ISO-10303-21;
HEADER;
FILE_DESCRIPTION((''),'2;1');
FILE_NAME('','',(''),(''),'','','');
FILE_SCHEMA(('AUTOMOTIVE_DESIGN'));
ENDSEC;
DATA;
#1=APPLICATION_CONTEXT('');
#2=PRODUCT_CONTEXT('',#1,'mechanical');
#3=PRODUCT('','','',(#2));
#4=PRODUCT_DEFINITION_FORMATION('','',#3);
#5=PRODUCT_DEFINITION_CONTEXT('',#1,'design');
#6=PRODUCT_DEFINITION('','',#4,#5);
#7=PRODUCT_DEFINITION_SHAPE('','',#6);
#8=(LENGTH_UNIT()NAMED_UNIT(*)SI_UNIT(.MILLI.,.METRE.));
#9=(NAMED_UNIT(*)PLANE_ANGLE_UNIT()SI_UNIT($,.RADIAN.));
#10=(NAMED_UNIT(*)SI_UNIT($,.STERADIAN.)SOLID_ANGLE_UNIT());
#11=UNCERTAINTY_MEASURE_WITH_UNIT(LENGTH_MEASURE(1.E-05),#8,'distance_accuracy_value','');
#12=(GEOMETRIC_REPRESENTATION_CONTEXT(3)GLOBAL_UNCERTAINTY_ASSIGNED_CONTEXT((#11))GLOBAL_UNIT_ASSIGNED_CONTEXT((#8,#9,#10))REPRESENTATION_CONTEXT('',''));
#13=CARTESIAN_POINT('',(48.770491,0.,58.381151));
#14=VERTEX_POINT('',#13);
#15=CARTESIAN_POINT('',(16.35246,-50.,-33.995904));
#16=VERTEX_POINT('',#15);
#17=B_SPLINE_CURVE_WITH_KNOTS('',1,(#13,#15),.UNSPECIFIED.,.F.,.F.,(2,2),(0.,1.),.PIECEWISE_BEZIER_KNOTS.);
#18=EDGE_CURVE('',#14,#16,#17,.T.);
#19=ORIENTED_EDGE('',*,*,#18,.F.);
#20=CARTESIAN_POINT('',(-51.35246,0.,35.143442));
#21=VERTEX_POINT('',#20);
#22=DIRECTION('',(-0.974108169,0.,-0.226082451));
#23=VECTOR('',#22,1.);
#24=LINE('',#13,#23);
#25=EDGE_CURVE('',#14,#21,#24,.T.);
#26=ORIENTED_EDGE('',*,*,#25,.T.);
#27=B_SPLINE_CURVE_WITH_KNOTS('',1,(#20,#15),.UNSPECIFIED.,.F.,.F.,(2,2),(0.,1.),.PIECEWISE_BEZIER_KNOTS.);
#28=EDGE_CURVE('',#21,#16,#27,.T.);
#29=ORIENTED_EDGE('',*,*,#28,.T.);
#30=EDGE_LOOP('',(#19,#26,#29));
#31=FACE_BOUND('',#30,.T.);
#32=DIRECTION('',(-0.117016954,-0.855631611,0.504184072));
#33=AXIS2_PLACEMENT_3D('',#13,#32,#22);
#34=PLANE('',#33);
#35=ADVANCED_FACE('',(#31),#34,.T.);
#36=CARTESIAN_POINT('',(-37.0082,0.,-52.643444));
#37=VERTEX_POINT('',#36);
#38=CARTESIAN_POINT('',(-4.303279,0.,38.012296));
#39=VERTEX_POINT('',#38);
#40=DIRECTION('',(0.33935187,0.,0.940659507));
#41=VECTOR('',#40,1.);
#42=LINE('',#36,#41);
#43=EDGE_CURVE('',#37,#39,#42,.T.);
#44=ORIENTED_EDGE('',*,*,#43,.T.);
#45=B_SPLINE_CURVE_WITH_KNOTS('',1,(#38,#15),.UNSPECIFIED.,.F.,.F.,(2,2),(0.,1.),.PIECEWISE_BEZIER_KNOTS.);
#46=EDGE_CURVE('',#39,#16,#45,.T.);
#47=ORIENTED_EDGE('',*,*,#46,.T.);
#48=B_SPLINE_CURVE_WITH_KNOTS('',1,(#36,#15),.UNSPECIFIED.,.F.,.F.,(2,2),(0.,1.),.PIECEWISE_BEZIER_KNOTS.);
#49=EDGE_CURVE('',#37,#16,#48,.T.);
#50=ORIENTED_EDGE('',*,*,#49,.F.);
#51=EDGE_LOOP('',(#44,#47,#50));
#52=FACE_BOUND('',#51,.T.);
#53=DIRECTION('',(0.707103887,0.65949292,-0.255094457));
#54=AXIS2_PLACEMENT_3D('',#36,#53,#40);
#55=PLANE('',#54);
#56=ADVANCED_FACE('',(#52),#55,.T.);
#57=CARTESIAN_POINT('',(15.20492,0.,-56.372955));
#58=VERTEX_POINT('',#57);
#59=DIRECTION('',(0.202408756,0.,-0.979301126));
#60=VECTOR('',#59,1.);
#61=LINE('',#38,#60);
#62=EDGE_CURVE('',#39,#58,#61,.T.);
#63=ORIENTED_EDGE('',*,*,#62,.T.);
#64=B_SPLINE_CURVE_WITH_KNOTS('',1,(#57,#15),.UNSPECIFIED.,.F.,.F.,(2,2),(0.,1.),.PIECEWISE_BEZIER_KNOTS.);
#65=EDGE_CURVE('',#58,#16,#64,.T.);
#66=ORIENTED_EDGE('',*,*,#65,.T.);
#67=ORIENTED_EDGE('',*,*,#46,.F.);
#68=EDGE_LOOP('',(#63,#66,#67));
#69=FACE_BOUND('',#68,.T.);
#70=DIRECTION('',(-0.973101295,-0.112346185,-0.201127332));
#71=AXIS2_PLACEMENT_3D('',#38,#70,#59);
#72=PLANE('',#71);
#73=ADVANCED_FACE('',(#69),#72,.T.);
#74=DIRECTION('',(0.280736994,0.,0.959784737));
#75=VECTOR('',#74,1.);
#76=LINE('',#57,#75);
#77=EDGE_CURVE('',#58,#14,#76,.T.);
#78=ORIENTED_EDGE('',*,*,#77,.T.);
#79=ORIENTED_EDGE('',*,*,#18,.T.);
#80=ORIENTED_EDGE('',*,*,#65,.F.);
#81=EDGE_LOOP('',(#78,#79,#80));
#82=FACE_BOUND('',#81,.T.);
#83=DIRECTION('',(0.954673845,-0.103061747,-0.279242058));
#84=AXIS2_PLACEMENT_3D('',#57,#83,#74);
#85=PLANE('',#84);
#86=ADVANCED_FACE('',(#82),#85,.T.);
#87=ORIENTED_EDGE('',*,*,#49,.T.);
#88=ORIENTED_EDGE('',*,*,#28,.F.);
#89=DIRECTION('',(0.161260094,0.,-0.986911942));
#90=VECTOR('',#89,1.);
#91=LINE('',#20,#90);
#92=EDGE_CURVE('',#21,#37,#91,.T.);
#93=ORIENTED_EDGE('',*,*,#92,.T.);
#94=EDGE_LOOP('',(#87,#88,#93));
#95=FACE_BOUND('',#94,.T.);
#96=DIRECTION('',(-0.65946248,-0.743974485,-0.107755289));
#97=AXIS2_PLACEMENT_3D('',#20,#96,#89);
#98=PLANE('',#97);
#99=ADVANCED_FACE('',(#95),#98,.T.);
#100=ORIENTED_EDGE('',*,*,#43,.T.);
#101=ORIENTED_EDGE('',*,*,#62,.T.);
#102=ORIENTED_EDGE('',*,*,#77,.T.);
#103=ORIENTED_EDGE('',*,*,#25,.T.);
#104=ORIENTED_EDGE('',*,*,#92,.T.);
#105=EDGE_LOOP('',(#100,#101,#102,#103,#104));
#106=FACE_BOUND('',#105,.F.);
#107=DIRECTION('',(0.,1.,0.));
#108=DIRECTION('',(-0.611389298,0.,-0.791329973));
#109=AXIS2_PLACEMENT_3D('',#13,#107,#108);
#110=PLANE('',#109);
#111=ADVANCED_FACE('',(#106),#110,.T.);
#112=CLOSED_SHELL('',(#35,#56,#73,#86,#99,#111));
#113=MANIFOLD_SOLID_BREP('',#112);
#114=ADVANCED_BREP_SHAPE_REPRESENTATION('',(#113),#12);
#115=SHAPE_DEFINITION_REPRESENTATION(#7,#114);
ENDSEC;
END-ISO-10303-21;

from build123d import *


with BuildPart() as f3:
    # F0 (on Front) → F3 section 0
    with BuildSketch(Plane.XZ, mode=Mode.PRIVATE) as f3_s0:
        Polygon((48.770491, 58.381151), (-51.35246, 35.143442), (-37.0082, -52.643444), (-4.303279, 38.012296), (15.20492, -56.372955), align=None)
    loft([f3_s0.sketch, Vertex(16.35246, -50, -33.995904)])


solid = f3.part
